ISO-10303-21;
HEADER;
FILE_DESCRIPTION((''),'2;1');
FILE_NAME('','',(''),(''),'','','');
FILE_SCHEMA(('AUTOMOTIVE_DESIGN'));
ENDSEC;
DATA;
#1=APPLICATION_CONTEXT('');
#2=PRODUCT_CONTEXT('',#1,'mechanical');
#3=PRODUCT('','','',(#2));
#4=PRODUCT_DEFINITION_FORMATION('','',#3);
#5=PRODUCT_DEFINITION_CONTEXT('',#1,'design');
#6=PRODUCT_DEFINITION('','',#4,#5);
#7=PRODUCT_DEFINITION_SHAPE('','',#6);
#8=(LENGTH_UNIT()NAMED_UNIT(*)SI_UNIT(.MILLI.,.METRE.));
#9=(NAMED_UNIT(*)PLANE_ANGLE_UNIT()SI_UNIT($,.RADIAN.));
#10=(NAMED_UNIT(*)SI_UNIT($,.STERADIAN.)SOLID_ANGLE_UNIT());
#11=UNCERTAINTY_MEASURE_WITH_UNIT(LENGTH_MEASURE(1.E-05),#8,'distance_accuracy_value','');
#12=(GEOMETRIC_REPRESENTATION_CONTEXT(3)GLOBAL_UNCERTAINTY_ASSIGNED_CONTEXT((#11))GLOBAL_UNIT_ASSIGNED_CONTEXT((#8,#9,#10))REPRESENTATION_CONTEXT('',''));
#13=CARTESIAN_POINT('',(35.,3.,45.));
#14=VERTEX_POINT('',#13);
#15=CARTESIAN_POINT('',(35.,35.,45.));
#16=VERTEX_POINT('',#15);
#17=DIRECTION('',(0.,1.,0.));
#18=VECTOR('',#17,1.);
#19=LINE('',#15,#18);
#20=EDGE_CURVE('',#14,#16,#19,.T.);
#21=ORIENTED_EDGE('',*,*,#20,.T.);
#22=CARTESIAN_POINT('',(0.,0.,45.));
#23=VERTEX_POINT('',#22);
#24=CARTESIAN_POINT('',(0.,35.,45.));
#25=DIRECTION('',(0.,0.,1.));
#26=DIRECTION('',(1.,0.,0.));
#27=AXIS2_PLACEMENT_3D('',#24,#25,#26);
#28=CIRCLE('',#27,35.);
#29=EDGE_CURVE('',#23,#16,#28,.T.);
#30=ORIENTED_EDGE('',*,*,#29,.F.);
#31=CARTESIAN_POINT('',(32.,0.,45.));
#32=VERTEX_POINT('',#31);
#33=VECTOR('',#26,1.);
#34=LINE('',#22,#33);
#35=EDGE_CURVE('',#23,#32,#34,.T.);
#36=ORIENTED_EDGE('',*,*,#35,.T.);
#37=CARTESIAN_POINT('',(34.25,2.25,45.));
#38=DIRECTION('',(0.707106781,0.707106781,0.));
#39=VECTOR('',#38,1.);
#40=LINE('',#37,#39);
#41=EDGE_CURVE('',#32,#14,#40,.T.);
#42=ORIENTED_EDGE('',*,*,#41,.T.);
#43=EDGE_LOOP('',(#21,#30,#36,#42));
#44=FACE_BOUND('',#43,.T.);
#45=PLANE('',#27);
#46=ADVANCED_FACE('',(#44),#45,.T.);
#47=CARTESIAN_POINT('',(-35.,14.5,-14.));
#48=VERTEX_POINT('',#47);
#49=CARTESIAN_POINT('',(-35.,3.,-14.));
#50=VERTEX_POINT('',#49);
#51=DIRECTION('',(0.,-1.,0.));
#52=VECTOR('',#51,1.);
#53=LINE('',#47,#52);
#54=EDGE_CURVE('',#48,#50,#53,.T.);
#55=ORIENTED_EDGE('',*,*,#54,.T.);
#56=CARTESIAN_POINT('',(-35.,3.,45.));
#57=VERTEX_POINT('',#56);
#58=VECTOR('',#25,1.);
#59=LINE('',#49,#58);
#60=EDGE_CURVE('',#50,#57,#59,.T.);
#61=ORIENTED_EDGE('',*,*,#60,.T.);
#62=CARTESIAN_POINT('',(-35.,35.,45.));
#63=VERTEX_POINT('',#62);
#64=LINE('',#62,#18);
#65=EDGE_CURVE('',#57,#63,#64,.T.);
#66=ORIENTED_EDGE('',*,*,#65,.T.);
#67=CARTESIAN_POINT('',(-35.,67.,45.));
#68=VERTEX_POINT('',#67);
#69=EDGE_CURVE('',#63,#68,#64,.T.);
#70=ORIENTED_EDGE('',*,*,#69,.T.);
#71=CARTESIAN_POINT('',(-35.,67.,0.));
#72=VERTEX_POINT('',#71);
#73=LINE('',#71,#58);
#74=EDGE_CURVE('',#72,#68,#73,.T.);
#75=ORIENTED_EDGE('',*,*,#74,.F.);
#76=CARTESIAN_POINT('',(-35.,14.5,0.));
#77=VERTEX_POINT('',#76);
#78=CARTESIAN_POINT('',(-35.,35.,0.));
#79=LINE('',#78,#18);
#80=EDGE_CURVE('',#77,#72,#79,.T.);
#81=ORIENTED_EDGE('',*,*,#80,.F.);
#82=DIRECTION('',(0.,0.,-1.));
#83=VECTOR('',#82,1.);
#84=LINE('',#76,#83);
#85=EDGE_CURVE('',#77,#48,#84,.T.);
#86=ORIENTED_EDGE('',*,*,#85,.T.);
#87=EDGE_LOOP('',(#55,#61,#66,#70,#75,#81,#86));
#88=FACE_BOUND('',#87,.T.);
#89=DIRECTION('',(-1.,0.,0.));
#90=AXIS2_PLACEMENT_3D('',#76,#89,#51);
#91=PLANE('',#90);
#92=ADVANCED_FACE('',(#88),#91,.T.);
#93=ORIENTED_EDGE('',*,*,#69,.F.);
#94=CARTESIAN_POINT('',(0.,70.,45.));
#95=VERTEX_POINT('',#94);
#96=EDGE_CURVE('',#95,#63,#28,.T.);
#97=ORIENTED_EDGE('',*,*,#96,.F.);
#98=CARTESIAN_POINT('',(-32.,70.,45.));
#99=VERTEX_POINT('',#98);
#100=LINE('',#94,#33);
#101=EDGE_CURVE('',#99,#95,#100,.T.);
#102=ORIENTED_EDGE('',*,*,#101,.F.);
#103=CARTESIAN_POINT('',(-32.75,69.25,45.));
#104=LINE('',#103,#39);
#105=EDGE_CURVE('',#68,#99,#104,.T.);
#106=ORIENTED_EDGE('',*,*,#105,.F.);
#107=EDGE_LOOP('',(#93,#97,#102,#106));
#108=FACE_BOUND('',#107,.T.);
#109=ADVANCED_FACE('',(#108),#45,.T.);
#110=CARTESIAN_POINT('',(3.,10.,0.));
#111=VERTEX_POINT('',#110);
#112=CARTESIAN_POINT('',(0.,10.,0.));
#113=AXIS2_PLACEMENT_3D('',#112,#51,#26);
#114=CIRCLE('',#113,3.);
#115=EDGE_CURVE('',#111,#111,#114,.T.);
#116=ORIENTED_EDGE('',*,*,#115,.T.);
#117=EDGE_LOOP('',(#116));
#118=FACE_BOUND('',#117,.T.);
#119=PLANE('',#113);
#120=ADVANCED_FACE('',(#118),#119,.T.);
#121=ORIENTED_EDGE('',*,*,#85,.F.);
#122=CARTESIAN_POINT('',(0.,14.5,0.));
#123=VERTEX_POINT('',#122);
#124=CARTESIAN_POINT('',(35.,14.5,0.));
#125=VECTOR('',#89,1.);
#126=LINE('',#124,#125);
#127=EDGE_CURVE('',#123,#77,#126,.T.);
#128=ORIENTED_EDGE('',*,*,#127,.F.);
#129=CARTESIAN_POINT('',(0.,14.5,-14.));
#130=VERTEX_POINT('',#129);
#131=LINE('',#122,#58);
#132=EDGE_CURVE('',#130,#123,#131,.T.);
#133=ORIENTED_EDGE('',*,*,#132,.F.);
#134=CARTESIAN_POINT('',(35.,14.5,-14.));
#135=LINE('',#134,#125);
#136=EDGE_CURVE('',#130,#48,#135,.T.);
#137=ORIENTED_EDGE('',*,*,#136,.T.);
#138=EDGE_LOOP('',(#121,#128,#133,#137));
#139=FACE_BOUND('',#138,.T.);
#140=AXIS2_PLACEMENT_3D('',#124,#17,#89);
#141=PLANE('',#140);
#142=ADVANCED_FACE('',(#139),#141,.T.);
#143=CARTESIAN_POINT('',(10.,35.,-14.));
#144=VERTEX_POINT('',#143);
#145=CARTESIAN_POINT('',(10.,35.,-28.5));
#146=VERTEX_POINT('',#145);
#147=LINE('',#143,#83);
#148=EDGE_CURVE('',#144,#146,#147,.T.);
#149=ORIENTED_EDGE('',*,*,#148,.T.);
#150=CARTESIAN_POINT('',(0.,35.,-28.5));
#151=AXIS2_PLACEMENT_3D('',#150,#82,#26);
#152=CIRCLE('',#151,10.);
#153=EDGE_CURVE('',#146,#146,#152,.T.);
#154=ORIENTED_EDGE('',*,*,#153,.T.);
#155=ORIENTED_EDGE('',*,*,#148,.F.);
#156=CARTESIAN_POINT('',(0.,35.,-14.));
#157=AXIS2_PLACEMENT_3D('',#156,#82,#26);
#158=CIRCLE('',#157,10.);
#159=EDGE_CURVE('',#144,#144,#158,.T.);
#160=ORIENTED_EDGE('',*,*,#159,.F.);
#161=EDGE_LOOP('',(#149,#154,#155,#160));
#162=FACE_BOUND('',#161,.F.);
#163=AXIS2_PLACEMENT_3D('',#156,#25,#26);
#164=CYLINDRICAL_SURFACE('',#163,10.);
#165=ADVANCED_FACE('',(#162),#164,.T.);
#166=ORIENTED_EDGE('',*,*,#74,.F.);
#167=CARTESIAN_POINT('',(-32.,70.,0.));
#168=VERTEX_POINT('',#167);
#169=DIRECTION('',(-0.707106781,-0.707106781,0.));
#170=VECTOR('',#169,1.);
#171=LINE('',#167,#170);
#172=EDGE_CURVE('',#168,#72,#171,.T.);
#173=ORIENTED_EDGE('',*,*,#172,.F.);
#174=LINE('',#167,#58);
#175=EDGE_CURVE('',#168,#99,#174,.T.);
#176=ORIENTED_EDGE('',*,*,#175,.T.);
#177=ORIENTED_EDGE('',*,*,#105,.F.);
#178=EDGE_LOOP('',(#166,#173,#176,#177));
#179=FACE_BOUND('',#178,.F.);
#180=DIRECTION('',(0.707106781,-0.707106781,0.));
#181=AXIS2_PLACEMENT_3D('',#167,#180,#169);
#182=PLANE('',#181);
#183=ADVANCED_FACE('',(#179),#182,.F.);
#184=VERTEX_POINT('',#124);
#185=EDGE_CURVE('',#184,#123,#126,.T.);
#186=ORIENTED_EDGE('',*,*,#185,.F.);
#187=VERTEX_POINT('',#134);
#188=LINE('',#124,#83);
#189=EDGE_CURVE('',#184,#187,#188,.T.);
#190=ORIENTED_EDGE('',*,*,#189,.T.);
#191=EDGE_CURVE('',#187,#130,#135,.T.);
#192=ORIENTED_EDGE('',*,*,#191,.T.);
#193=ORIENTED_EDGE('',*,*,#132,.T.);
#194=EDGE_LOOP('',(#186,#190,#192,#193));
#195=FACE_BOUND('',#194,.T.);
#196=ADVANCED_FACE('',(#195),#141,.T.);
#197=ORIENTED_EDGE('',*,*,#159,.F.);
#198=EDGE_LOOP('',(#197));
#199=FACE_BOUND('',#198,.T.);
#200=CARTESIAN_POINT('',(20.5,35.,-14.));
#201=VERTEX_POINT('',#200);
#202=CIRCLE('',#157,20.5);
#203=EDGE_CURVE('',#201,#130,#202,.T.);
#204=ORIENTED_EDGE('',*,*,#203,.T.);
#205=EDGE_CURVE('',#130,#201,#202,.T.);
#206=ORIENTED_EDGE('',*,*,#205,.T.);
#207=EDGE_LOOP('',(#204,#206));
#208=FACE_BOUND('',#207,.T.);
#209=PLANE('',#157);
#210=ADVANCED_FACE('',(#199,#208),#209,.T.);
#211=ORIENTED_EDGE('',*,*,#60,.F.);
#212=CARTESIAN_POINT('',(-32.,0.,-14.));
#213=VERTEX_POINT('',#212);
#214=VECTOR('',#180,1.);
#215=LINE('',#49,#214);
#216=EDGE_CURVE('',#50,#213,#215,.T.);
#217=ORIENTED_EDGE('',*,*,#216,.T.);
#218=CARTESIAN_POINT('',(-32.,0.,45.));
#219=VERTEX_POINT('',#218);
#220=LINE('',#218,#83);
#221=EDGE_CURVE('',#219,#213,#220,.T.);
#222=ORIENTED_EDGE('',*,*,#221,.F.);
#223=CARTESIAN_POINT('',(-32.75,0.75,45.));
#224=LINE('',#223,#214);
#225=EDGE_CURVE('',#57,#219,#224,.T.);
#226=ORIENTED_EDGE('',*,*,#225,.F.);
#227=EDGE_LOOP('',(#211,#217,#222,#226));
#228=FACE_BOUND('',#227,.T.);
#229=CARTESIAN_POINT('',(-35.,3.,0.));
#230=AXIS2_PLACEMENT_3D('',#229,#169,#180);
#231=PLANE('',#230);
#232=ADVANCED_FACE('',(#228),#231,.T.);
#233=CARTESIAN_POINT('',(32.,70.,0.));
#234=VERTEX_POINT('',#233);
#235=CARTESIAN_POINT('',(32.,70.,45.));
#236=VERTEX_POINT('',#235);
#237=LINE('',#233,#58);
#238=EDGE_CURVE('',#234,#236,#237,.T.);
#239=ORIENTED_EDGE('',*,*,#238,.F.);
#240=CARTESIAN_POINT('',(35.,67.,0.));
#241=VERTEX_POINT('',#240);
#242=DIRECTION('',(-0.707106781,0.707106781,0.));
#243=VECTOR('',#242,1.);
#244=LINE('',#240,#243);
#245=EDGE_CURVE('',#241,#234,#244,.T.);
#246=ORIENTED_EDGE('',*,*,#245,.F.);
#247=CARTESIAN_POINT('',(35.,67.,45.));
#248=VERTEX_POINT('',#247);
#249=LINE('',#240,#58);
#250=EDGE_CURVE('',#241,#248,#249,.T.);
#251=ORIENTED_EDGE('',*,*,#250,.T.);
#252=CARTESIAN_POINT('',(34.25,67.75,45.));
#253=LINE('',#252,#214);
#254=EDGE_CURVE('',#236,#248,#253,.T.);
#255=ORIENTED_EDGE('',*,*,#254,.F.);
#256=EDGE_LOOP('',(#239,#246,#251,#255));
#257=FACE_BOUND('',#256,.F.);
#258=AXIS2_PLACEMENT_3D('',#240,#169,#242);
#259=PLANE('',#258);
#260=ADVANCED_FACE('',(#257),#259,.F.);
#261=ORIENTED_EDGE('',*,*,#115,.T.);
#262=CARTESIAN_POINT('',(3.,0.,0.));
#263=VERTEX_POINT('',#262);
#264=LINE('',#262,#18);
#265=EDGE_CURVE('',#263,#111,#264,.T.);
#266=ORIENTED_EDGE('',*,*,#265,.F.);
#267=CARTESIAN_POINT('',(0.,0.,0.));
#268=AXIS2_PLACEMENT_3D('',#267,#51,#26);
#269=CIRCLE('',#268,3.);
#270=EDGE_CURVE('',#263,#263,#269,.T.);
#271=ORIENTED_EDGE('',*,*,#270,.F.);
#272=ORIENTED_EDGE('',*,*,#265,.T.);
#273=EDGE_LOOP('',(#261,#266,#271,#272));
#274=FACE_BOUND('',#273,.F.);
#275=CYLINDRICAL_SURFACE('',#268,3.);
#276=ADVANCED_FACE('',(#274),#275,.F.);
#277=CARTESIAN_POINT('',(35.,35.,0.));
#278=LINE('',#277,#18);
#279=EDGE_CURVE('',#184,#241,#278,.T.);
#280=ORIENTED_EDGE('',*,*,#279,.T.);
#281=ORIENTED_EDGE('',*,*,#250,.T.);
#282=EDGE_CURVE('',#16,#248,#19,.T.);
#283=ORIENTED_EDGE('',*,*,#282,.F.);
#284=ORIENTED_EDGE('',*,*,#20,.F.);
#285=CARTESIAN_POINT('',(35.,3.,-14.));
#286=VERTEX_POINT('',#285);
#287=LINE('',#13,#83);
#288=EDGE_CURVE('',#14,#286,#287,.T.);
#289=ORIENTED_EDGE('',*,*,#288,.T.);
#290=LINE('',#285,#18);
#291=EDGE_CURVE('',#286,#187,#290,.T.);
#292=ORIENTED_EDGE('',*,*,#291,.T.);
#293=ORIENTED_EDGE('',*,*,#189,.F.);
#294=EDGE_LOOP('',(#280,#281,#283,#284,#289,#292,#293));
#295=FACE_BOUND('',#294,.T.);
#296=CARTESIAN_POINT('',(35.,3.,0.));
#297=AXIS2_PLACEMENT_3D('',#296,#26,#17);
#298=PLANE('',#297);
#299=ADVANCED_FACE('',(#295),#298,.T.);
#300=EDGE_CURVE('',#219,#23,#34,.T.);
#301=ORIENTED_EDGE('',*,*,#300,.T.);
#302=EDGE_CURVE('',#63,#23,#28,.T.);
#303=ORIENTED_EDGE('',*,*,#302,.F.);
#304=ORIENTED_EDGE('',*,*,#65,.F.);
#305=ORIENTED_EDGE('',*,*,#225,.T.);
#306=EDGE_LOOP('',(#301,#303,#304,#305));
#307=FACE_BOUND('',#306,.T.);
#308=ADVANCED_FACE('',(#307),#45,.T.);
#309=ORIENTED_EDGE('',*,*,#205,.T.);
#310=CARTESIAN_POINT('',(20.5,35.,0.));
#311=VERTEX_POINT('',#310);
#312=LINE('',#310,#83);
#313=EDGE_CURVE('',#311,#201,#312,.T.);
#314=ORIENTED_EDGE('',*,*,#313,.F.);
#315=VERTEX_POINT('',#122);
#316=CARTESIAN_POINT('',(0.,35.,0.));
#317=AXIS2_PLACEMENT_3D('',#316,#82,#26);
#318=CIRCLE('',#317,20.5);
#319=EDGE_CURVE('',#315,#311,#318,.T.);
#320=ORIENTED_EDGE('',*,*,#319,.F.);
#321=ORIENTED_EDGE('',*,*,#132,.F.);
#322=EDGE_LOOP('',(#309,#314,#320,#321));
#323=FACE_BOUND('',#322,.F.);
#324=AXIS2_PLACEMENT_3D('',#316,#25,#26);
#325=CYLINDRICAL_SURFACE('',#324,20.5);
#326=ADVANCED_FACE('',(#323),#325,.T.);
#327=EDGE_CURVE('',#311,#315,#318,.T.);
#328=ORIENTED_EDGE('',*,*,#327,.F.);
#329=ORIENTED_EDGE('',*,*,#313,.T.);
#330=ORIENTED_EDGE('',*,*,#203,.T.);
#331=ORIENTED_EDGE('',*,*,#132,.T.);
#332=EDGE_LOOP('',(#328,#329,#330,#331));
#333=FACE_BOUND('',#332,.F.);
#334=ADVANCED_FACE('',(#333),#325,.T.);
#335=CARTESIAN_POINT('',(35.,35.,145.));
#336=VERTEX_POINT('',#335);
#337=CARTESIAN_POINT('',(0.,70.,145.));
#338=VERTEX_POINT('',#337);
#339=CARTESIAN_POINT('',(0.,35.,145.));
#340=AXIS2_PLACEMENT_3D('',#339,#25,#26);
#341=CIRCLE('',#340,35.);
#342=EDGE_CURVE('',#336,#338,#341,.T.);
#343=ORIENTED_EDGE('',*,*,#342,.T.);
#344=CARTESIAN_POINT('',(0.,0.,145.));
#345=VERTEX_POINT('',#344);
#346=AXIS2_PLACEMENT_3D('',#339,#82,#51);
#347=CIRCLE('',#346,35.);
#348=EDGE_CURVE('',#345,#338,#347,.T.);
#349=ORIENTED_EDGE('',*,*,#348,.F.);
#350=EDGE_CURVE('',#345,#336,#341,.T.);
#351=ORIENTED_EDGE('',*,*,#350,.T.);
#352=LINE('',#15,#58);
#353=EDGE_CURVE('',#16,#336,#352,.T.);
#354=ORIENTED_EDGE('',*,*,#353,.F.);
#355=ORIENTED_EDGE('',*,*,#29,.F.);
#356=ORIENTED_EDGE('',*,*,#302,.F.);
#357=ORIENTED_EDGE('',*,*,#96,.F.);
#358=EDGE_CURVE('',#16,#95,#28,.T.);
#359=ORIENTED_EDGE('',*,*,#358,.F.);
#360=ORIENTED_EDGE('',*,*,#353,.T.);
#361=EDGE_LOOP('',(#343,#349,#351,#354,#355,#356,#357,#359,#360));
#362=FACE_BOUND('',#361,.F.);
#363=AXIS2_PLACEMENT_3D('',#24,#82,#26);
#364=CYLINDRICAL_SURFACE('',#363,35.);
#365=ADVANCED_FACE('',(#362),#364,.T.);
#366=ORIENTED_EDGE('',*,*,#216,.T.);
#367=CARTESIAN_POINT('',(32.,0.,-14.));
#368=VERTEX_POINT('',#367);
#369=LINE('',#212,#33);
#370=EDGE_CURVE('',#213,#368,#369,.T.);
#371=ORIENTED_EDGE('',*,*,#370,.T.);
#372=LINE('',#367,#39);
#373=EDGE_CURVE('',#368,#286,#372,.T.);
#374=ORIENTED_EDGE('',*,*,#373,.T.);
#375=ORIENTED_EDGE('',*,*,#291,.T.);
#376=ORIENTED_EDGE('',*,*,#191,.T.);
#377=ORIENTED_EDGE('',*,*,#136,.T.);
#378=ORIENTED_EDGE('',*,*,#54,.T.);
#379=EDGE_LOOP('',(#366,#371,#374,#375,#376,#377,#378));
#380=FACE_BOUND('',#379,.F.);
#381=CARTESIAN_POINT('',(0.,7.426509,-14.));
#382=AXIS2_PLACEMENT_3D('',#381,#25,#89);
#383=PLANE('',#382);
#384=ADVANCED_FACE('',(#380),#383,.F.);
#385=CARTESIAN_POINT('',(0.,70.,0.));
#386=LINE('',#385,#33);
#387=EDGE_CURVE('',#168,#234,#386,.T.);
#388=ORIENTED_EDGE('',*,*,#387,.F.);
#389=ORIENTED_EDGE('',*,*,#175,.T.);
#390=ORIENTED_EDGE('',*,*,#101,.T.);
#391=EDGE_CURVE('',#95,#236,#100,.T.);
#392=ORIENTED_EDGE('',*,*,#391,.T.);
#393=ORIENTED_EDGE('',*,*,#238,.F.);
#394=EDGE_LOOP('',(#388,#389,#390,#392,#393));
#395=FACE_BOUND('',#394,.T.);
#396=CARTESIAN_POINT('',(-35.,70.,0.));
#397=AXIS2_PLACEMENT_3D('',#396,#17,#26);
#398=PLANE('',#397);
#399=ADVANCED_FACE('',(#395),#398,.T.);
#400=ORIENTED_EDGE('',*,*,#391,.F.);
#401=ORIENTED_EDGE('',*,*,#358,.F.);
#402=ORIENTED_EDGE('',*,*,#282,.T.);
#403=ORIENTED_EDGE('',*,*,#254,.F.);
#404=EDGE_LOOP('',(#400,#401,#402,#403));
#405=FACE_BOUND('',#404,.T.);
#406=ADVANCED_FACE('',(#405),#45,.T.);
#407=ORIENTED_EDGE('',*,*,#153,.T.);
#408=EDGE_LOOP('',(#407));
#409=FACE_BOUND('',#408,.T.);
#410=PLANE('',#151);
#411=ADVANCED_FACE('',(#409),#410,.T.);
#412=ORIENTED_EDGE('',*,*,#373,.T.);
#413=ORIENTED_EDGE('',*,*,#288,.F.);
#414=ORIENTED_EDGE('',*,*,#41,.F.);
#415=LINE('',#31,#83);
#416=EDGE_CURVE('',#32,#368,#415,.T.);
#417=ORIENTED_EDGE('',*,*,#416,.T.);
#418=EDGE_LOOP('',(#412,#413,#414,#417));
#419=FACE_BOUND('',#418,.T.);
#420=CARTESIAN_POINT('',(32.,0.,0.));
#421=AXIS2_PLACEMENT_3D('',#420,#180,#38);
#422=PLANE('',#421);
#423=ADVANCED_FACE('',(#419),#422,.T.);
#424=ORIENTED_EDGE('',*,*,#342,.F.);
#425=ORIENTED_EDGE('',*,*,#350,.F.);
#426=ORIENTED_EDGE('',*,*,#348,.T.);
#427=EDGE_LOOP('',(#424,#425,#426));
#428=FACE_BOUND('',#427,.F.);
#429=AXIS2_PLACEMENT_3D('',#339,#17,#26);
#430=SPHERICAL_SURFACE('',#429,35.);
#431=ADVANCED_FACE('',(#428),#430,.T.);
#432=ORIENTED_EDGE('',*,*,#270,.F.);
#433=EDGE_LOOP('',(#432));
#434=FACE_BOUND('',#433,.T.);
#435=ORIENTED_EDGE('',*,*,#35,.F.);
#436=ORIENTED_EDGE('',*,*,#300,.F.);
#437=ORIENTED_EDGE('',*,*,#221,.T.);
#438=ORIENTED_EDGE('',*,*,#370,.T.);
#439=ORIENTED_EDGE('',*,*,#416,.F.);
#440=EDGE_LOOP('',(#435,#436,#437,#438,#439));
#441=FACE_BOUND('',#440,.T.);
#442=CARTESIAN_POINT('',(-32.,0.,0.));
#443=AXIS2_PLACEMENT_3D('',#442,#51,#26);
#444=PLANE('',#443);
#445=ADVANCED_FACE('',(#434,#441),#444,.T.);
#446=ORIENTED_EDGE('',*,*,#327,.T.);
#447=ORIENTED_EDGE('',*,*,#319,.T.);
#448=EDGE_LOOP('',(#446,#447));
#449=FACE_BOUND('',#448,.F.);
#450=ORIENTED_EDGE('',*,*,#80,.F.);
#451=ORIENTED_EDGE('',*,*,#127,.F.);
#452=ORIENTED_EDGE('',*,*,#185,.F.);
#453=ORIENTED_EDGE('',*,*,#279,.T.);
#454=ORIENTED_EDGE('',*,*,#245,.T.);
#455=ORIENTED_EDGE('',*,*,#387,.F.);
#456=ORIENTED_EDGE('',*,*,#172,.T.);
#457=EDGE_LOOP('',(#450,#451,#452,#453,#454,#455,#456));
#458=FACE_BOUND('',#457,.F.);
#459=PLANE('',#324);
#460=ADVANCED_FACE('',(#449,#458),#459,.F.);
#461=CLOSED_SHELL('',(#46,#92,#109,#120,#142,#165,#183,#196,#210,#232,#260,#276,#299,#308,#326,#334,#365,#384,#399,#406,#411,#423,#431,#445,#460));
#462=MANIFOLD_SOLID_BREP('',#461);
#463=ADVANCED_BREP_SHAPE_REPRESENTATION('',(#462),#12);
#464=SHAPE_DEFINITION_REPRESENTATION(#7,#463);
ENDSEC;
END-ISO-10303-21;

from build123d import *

# Parameters (mm, degrees)
SKETCH_W         = 70
SKETCH_H         = 70
PAD_DEPTH        = 45
SKETCH001_R      = 35
PAD001_DEPTH     = 100
POCKET_DEPTH     = 70
REVOLUTION_ANGLE = -180
SKETCH004_R      = 20.5
PAD002_DEPTH     = 14
SKETCH005_R      = 10
PAD003_DEPTH     = 14.5
PAD004_DEPTH     = 14
SKETCH007_R      = 3
POCKET001_DEPTH  = 10


with BuildPart() as part:
    # Sketch → Pad (new body)
    with BuildSketch(Plane.XY):
        with Locations((0, 35)):
            Rectangle(SKETCH_W, SKETCH_H)
    extrude(amount=PAD_DEPTH)

    # Sketch001 → Pad001 (new body)
    with BuildSketch(Plane.XY.offset(45)):
        with Locations((0, 35)):
            Circle(SKETCH001_R)
    extrude(amount=PAD001_DEPTH)

    # Sketch002 → Pocket (cut)
    with BuildSketch(Plane(origin=(0, 0, 0), x_dir=(1, 0, 0), z_dir=(0, 0, -1))):
        Polygon((35, 0), (35, -3), (32, 0), align=None)
        Polygon((35, -70), (35, -67), (32, -70), align=None)
        Polygon((-35, -70), (-32, -70), (-35, -67), align=None)
        Polygon((-35, 0), (-32, 0), (-35, -3), align=None)
    extrude(amount=-POCKET_DEPTH, mode=Mode.SUBTRACT)

    # Sketch003 → Revolution (revolve)
    with BuildSketch(Plane.XY.offset(145)):
        with BuildLine():
            ThreePointArc((0, 0), (35, 35), (0, 70))
            Line((0, 70), (0, 0))
        make_face()
    revolve(axis=Axis((0, 0, 145), (0, 1, 0)), revolution_arc=REVOLUTION_ANGLE)

    # Sketch004 → Pad002 (new body)
    with BuildSketch(Plane(origin=(0, 0, 0), x_dir=(1, 0, 0), z_dir=(0, 0, -1))):
        with Locations((0, -35)):
            Circle(SKETCH004_R)
    extrude(amount=PAD002_DEPTH)

    # Sketch005 → Pad003 (new body)
    with BuildSketch(Plane(origin=(0, 0, -14), x_dir=(1, 0, 0), z_dir=(0, 0, -1))):
        with Locations((0, -35)):
            Circle(SKETCH005_R)
    extrude(amount=PAD003_DEPTH)

    # Sketch006 → Pad004 (new body)
    with BuildSketch(Plane(origin=(0, 0, 0), x_dir=(1, 0, 0), z_dir=(0, 0, -1))):
        Polygon((35, -3), (35, -14.5), (-35, -14.5), (-35, -3), (-32, 0), (32, 0), align=None)
    extrude(amount=PAD004_DEPTH)

    # Sketch007 → Pocket001 (cut)
    with BuildSketch(Plane.XZ):
        Circle(SKETCH007_R)
    extrude(amount=-POCKET001_DEPTH, mode=Mode.SUBTRACT)


solid = part.part
